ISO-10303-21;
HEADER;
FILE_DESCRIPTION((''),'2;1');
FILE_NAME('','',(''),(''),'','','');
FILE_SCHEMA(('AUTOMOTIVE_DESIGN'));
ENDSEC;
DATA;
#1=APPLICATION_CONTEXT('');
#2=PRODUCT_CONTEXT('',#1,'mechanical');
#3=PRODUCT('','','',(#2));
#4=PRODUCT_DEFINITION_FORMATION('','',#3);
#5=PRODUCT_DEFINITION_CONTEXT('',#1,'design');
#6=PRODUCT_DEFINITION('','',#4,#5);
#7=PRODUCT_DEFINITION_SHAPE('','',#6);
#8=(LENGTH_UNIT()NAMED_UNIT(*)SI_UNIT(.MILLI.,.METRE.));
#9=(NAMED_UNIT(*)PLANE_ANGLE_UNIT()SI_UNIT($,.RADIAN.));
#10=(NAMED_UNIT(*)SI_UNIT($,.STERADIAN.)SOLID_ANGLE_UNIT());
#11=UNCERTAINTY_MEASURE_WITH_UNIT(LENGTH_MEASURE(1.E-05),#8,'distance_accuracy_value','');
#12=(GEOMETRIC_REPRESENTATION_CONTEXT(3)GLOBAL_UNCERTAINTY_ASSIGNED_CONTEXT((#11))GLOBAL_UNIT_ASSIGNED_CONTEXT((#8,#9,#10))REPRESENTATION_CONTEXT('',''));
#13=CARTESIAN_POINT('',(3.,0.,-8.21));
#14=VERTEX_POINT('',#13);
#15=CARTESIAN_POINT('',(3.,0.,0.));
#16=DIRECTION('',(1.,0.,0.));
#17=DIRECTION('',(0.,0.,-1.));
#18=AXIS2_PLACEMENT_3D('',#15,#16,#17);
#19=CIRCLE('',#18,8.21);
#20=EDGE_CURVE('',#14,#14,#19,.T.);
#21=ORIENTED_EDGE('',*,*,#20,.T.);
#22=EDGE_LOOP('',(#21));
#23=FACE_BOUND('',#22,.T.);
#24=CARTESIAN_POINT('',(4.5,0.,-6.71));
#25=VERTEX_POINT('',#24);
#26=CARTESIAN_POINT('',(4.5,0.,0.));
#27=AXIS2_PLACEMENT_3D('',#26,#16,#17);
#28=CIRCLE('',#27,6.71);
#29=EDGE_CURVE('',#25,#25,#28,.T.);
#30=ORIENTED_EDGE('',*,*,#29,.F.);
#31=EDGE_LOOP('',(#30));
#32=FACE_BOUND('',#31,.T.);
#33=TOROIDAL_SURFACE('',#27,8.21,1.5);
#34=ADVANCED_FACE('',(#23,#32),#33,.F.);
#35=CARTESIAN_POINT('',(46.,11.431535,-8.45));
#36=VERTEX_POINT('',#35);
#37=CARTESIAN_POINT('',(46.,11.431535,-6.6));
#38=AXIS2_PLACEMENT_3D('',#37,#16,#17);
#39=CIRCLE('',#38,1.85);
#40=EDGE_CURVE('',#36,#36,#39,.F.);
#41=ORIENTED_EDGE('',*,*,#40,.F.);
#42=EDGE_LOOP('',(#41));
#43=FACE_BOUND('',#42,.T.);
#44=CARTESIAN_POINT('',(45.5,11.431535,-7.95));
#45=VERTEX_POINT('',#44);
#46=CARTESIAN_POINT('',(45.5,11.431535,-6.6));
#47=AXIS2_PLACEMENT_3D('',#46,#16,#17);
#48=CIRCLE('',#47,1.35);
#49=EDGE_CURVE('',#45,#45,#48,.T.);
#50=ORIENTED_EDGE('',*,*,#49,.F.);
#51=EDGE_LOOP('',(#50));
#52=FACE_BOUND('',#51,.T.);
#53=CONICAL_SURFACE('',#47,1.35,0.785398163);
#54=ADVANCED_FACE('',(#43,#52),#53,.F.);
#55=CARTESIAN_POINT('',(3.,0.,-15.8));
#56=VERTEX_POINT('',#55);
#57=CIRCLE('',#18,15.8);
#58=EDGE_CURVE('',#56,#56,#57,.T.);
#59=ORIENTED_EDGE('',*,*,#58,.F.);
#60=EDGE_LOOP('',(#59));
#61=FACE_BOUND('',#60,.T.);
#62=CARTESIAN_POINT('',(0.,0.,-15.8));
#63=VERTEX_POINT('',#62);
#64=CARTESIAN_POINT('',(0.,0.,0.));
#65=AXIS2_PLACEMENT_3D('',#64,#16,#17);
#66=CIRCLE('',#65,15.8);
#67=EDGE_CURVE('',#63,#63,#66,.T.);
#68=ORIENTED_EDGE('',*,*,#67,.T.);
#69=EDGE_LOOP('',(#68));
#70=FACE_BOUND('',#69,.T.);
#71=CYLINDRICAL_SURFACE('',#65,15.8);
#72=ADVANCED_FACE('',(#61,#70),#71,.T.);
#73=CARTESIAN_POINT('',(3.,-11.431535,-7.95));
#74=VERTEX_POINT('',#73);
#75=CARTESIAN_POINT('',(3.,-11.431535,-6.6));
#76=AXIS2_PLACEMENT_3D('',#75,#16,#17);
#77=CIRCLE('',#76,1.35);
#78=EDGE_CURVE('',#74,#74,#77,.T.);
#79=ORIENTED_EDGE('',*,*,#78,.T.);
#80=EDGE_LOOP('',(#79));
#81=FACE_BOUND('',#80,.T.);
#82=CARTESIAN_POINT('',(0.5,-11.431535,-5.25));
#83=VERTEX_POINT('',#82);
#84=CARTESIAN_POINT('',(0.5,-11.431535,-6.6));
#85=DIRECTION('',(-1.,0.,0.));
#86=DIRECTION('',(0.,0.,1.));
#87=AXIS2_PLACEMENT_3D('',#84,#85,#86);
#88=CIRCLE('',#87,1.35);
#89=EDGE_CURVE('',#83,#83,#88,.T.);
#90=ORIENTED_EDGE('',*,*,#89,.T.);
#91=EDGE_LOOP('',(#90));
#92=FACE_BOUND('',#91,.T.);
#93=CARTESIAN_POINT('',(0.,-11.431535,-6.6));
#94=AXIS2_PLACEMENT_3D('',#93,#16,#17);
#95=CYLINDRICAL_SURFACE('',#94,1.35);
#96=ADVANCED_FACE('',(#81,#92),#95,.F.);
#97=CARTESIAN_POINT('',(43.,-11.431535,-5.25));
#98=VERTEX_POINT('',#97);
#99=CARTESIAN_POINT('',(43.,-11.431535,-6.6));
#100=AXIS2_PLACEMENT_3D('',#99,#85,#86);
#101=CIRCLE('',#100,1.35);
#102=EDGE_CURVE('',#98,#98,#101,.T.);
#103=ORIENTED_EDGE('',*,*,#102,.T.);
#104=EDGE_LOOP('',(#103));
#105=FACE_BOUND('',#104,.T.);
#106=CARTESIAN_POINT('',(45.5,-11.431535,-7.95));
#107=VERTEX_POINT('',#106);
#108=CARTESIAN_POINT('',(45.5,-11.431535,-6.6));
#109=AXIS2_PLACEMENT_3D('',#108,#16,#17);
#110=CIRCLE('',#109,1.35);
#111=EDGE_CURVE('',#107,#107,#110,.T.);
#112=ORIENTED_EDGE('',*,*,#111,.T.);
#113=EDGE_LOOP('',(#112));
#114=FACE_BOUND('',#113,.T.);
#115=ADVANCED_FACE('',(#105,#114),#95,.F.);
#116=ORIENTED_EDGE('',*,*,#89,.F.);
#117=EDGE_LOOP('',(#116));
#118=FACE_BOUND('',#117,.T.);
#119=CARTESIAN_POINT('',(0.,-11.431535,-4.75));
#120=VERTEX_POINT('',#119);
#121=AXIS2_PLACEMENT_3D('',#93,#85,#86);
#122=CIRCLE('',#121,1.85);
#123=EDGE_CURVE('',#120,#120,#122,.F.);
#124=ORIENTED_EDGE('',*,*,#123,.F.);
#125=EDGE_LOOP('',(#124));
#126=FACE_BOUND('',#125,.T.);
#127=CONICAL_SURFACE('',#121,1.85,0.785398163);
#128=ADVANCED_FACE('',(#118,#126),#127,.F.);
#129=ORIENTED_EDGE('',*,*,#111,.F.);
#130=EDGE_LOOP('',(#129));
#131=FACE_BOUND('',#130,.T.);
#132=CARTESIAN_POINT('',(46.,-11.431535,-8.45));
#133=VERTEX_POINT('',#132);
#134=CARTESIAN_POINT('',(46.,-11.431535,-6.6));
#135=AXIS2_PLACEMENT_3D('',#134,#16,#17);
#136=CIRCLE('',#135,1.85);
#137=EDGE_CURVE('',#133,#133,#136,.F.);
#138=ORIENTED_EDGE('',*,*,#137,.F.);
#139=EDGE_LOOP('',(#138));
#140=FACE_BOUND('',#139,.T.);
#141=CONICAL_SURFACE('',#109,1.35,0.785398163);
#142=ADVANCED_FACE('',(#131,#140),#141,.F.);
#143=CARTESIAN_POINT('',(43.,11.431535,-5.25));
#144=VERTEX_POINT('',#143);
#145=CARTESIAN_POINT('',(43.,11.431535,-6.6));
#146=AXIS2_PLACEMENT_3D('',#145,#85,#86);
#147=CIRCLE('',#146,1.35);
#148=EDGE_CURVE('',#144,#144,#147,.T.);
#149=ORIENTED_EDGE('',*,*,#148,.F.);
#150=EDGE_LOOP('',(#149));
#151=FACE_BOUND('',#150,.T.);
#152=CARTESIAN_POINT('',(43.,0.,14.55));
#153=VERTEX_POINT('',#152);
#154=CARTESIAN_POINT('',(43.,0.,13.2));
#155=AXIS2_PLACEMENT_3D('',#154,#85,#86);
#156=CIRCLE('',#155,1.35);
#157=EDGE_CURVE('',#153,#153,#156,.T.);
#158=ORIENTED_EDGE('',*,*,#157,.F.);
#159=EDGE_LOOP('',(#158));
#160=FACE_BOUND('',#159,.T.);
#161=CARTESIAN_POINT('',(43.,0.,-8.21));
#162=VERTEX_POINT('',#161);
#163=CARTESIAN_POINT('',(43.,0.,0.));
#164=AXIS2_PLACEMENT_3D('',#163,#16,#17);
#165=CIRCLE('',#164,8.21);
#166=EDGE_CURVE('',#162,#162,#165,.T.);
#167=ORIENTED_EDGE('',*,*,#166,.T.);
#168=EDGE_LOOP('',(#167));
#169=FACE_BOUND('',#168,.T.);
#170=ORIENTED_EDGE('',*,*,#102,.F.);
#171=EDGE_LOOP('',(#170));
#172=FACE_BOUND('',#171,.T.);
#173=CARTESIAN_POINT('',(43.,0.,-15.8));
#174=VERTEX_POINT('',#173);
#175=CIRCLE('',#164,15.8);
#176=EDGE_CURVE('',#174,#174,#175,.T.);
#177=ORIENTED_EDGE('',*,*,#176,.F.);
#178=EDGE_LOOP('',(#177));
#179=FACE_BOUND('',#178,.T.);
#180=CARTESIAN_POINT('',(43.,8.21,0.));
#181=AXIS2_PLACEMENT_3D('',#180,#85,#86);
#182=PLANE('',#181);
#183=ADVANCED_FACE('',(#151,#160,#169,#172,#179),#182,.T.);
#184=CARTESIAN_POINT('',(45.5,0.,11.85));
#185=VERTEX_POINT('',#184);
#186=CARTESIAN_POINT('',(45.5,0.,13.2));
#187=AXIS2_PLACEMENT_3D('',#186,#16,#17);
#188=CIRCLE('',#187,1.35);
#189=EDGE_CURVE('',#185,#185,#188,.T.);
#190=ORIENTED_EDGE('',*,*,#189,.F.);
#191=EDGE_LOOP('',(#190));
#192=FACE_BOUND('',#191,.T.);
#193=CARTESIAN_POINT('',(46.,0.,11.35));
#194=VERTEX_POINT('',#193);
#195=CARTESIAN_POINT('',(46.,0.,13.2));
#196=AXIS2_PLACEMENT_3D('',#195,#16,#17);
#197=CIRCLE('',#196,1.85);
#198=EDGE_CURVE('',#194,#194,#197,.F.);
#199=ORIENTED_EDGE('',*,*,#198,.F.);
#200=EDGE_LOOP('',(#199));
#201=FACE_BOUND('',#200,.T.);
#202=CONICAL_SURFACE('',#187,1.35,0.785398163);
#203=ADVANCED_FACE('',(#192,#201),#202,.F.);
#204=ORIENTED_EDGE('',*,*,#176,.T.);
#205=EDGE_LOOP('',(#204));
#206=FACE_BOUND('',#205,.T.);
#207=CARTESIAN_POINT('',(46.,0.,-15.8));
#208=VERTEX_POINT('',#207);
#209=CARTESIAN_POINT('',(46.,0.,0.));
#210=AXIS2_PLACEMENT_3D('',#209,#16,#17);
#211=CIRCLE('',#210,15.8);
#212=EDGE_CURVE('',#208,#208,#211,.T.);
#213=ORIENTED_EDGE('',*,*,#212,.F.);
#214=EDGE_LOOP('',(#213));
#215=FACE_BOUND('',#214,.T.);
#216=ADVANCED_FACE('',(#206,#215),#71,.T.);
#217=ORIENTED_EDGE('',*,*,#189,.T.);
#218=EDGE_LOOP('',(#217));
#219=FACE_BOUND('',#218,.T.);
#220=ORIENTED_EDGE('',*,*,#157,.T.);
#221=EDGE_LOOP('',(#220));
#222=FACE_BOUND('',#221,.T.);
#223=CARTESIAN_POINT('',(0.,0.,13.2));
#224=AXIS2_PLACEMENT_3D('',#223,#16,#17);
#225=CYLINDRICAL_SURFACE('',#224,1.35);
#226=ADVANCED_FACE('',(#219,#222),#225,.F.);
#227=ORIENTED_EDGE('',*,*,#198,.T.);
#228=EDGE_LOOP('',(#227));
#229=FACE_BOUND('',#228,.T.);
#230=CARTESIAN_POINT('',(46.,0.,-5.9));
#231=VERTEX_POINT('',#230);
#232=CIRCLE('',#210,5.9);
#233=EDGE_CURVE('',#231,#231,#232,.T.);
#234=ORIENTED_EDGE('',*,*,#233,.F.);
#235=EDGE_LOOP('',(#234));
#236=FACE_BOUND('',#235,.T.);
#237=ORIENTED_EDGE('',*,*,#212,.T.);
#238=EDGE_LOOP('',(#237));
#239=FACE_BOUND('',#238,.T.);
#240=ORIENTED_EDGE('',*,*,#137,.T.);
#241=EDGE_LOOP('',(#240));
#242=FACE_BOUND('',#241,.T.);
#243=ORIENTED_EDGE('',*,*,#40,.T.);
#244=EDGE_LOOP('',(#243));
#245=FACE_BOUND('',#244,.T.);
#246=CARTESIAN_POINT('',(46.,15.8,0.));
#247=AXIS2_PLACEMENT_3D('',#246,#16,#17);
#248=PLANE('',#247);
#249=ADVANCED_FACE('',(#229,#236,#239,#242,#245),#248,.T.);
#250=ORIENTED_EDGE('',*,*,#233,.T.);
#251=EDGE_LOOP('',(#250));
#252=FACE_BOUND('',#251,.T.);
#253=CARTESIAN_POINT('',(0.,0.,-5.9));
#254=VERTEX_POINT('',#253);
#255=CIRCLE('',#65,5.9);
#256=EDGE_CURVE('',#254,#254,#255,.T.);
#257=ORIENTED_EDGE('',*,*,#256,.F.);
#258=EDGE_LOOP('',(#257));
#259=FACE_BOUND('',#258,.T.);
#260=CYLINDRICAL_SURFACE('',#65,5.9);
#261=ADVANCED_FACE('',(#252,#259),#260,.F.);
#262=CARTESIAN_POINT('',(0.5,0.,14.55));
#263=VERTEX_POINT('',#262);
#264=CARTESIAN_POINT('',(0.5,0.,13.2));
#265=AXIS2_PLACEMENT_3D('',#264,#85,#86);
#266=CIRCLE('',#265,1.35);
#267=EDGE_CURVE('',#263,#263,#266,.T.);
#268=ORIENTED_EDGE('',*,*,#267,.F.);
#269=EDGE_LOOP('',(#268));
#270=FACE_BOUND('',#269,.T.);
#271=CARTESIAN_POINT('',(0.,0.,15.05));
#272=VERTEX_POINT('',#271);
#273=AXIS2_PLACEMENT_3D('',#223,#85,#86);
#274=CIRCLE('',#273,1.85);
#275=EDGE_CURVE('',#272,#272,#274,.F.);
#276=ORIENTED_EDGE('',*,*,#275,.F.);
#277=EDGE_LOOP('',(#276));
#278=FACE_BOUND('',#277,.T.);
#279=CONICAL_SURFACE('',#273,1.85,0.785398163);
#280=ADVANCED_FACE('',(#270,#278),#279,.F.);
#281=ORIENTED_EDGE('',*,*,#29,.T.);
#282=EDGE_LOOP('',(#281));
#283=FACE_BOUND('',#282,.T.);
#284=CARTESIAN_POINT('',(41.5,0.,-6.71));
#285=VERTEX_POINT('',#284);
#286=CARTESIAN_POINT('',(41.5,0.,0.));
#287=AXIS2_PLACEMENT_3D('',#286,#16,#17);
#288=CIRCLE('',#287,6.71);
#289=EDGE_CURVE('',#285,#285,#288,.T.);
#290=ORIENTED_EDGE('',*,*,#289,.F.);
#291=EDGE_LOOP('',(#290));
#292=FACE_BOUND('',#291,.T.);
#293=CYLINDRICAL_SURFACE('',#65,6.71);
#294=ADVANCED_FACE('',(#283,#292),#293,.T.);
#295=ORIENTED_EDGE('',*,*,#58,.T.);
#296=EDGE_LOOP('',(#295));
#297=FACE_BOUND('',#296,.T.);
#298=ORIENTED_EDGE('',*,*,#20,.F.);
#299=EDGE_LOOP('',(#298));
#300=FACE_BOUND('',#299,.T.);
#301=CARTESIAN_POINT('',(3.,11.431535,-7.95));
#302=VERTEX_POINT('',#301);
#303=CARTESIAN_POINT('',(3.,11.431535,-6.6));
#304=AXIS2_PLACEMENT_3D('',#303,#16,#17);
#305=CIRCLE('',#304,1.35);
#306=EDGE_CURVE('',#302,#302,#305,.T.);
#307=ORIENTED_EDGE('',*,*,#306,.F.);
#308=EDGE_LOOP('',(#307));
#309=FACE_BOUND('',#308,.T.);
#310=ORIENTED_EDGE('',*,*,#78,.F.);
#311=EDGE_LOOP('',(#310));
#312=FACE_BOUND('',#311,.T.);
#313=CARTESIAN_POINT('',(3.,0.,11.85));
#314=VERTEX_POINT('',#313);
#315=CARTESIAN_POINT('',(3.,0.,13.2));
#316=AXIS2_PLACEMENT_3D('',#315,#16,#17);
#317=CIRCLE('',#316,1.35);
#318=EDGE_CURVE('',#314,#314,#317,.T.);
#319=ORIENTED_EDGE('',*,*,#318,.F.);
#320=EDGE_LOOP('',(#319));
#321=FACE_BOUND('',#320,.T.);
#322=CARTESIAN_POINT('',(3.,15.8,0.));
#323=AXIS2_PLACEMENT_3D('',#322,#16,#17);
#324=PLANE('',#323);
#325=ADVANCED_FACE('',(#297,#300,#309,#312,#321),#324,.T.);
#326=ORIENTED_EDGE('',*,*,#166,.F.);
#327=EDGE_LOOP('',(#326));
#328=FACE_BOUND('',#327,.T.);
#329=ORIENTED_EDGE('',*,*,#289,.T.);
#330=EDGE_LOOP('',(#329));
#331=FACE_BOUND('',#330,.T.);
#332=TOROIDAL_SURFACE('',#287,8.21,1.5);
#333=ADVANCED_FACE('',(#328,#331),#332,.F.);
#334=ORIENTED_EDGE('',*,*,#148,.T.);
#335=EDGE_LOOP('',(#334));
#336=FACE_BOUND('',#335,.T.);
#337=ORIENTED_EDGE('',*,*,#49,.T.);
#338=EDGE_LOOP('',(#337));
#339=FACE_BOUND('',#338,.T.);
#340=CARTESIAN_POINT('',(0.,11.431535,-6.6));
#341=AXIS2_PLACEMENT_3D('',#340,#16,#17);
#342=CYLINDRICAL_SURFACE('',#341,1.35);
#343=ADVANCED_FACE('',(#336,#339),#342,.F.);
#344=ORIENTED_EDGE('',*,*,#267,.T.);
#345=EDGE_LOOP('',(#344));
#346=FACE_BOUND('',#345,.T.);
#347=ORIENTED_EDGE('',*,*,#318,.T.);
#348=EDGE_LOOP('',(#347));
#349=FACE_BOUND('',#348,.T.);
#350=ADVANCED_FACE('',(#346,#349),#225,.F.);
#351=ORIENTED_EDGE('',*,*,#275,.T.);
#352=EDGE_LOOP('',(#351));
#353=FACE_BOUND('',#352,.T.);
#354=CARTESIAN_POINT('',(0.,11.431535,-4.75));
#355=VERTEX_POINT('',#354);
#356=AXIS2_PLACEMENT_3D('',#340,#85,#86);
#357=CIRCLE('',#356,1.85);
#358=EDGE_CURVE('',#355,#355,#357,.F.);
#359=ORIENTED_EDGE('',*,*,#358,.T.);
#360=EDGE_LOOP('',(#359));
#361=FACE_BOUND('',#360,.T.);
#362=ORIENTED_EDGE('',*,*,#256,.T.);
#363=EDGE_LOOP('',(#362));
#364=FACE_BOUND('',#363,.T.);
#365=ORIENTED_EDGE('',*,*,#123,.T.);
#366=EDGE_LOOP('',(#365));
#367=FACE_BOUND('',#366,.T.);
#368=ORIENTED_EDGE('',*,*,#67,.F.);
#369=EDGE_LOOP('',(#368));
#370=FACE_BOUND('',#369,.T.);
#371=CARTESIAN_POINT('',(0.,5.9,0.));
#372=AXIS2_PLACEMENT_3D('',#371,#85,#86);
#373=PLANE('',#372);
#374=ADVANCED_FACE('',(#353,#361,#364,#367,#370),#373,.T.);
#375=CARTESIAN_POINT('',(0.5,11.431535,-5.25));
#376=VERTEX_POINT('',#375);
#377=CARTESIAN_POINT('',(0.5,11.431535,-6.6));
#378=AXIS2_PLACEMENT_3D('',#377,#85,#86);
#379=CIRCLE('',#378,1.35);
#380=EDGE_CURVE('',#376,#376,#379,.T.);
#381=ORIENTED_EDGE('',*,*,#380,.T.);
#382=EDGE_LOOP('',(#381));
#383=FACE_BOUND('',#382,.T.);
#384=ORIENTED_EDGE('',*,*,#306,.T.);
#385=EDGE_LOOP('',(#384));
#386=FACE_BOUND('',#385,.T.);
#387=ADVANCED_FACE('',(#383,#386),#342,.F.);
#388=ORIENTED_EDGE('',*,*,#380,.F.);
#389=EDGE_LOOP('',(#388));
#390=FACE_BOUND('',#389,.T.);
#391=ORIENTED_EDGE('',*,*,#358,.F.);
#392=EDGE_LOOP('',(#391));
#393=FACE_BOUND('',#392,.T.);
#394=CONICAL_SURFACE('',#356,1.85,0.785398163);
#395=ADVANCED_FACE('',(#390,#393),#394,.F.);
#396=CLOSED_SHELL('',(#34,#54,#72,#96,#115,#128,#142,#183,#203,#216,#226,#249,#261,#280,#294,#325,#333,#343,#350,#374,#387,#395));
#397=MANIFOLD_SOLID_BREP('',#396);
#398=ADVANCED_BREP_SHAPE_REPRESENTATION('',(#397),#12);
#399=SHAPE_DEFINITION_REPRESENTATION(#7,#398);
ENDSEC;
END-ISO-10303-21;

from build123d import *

# Parameters (mm, degrees)
SKETCH3_R          = 1.35
CUT_EXTRUDE1_DEPTH = 52.139808369
CHAMFER1_SIZE      = 0.5


with BuildPart() as part:
    # Sketch1 → Revolve1 (revolve)
    with BuildSketch(Plane.XY, mode=Mode.PRIVATE) as revolve1_sk:
        with BuildLine():
            Line((0, 5.9), (0, 15.8))
            Line((0, 15.8), (3, 15.8))
            Line((3, 15.8), (3, 8.21))
            ThreePointArc((3, 8.21), (3.439339828, 7.149339828), (4.5, 6.71))
            Line((4.5, 6.71), (41.5, 6.71))
            ThreePointArc((41.5, 6.71), (42.560660172, 7.149339828), (43, 8.21))
            Line((43, 8.21), (43, 15.8))
            Line((43, 15.8), (46, 15.8))
            Line((46, 15.8), (46, 5.9))
            Line((46, 5.9), (43, 5.9))
            Line((43, 5.9), (3, 5.9))
            Line((3, 5.9), (0, 5.9))
        make_face()
    revolve(revolve1_sk.sketch.rotate(Axis((0, 0, 0), (-1, 0, 0)), 90), axis=Axis((0, 0, 0), (-1, 0, 0)))

    # Sketch3 → Cut-Extrude1 (cut, through all)
    with BuildSketch(Plane(origin=(46, 0, 0), x_dir=(0, 0, -1), z_dir=(1, 0, 0))):
        with Locations((-13.2, 0)):
            Circle(SKETCH3_R)
        with Locations((6.6, 11.43153533)):
            Circle(SKETCH3_R)
        with Locations((6.6, -11.43153533)):
            Circle(SKETCH3_R)
    extrude(amount=-CUT_EXTRUDE1_DEPTH, mode=Mode.SUBTRACT)

    # Chamfer1
    chamfer1_edges = [part.edges().sort_by_distance(p)[0] for p in [
        (0, 0, 14.55),
        (46, 0, 14.55),
        (0, 11.43153533, -5.25),
        (46, 11.43153533, -5.25),
        (0, -11.43153533, -5.25),
        (46, -11.43153533, -5.25),
    ]]
    chamfer(chamfer1_edges, length=CHAMFER1_SIZE)


solid = part.part
